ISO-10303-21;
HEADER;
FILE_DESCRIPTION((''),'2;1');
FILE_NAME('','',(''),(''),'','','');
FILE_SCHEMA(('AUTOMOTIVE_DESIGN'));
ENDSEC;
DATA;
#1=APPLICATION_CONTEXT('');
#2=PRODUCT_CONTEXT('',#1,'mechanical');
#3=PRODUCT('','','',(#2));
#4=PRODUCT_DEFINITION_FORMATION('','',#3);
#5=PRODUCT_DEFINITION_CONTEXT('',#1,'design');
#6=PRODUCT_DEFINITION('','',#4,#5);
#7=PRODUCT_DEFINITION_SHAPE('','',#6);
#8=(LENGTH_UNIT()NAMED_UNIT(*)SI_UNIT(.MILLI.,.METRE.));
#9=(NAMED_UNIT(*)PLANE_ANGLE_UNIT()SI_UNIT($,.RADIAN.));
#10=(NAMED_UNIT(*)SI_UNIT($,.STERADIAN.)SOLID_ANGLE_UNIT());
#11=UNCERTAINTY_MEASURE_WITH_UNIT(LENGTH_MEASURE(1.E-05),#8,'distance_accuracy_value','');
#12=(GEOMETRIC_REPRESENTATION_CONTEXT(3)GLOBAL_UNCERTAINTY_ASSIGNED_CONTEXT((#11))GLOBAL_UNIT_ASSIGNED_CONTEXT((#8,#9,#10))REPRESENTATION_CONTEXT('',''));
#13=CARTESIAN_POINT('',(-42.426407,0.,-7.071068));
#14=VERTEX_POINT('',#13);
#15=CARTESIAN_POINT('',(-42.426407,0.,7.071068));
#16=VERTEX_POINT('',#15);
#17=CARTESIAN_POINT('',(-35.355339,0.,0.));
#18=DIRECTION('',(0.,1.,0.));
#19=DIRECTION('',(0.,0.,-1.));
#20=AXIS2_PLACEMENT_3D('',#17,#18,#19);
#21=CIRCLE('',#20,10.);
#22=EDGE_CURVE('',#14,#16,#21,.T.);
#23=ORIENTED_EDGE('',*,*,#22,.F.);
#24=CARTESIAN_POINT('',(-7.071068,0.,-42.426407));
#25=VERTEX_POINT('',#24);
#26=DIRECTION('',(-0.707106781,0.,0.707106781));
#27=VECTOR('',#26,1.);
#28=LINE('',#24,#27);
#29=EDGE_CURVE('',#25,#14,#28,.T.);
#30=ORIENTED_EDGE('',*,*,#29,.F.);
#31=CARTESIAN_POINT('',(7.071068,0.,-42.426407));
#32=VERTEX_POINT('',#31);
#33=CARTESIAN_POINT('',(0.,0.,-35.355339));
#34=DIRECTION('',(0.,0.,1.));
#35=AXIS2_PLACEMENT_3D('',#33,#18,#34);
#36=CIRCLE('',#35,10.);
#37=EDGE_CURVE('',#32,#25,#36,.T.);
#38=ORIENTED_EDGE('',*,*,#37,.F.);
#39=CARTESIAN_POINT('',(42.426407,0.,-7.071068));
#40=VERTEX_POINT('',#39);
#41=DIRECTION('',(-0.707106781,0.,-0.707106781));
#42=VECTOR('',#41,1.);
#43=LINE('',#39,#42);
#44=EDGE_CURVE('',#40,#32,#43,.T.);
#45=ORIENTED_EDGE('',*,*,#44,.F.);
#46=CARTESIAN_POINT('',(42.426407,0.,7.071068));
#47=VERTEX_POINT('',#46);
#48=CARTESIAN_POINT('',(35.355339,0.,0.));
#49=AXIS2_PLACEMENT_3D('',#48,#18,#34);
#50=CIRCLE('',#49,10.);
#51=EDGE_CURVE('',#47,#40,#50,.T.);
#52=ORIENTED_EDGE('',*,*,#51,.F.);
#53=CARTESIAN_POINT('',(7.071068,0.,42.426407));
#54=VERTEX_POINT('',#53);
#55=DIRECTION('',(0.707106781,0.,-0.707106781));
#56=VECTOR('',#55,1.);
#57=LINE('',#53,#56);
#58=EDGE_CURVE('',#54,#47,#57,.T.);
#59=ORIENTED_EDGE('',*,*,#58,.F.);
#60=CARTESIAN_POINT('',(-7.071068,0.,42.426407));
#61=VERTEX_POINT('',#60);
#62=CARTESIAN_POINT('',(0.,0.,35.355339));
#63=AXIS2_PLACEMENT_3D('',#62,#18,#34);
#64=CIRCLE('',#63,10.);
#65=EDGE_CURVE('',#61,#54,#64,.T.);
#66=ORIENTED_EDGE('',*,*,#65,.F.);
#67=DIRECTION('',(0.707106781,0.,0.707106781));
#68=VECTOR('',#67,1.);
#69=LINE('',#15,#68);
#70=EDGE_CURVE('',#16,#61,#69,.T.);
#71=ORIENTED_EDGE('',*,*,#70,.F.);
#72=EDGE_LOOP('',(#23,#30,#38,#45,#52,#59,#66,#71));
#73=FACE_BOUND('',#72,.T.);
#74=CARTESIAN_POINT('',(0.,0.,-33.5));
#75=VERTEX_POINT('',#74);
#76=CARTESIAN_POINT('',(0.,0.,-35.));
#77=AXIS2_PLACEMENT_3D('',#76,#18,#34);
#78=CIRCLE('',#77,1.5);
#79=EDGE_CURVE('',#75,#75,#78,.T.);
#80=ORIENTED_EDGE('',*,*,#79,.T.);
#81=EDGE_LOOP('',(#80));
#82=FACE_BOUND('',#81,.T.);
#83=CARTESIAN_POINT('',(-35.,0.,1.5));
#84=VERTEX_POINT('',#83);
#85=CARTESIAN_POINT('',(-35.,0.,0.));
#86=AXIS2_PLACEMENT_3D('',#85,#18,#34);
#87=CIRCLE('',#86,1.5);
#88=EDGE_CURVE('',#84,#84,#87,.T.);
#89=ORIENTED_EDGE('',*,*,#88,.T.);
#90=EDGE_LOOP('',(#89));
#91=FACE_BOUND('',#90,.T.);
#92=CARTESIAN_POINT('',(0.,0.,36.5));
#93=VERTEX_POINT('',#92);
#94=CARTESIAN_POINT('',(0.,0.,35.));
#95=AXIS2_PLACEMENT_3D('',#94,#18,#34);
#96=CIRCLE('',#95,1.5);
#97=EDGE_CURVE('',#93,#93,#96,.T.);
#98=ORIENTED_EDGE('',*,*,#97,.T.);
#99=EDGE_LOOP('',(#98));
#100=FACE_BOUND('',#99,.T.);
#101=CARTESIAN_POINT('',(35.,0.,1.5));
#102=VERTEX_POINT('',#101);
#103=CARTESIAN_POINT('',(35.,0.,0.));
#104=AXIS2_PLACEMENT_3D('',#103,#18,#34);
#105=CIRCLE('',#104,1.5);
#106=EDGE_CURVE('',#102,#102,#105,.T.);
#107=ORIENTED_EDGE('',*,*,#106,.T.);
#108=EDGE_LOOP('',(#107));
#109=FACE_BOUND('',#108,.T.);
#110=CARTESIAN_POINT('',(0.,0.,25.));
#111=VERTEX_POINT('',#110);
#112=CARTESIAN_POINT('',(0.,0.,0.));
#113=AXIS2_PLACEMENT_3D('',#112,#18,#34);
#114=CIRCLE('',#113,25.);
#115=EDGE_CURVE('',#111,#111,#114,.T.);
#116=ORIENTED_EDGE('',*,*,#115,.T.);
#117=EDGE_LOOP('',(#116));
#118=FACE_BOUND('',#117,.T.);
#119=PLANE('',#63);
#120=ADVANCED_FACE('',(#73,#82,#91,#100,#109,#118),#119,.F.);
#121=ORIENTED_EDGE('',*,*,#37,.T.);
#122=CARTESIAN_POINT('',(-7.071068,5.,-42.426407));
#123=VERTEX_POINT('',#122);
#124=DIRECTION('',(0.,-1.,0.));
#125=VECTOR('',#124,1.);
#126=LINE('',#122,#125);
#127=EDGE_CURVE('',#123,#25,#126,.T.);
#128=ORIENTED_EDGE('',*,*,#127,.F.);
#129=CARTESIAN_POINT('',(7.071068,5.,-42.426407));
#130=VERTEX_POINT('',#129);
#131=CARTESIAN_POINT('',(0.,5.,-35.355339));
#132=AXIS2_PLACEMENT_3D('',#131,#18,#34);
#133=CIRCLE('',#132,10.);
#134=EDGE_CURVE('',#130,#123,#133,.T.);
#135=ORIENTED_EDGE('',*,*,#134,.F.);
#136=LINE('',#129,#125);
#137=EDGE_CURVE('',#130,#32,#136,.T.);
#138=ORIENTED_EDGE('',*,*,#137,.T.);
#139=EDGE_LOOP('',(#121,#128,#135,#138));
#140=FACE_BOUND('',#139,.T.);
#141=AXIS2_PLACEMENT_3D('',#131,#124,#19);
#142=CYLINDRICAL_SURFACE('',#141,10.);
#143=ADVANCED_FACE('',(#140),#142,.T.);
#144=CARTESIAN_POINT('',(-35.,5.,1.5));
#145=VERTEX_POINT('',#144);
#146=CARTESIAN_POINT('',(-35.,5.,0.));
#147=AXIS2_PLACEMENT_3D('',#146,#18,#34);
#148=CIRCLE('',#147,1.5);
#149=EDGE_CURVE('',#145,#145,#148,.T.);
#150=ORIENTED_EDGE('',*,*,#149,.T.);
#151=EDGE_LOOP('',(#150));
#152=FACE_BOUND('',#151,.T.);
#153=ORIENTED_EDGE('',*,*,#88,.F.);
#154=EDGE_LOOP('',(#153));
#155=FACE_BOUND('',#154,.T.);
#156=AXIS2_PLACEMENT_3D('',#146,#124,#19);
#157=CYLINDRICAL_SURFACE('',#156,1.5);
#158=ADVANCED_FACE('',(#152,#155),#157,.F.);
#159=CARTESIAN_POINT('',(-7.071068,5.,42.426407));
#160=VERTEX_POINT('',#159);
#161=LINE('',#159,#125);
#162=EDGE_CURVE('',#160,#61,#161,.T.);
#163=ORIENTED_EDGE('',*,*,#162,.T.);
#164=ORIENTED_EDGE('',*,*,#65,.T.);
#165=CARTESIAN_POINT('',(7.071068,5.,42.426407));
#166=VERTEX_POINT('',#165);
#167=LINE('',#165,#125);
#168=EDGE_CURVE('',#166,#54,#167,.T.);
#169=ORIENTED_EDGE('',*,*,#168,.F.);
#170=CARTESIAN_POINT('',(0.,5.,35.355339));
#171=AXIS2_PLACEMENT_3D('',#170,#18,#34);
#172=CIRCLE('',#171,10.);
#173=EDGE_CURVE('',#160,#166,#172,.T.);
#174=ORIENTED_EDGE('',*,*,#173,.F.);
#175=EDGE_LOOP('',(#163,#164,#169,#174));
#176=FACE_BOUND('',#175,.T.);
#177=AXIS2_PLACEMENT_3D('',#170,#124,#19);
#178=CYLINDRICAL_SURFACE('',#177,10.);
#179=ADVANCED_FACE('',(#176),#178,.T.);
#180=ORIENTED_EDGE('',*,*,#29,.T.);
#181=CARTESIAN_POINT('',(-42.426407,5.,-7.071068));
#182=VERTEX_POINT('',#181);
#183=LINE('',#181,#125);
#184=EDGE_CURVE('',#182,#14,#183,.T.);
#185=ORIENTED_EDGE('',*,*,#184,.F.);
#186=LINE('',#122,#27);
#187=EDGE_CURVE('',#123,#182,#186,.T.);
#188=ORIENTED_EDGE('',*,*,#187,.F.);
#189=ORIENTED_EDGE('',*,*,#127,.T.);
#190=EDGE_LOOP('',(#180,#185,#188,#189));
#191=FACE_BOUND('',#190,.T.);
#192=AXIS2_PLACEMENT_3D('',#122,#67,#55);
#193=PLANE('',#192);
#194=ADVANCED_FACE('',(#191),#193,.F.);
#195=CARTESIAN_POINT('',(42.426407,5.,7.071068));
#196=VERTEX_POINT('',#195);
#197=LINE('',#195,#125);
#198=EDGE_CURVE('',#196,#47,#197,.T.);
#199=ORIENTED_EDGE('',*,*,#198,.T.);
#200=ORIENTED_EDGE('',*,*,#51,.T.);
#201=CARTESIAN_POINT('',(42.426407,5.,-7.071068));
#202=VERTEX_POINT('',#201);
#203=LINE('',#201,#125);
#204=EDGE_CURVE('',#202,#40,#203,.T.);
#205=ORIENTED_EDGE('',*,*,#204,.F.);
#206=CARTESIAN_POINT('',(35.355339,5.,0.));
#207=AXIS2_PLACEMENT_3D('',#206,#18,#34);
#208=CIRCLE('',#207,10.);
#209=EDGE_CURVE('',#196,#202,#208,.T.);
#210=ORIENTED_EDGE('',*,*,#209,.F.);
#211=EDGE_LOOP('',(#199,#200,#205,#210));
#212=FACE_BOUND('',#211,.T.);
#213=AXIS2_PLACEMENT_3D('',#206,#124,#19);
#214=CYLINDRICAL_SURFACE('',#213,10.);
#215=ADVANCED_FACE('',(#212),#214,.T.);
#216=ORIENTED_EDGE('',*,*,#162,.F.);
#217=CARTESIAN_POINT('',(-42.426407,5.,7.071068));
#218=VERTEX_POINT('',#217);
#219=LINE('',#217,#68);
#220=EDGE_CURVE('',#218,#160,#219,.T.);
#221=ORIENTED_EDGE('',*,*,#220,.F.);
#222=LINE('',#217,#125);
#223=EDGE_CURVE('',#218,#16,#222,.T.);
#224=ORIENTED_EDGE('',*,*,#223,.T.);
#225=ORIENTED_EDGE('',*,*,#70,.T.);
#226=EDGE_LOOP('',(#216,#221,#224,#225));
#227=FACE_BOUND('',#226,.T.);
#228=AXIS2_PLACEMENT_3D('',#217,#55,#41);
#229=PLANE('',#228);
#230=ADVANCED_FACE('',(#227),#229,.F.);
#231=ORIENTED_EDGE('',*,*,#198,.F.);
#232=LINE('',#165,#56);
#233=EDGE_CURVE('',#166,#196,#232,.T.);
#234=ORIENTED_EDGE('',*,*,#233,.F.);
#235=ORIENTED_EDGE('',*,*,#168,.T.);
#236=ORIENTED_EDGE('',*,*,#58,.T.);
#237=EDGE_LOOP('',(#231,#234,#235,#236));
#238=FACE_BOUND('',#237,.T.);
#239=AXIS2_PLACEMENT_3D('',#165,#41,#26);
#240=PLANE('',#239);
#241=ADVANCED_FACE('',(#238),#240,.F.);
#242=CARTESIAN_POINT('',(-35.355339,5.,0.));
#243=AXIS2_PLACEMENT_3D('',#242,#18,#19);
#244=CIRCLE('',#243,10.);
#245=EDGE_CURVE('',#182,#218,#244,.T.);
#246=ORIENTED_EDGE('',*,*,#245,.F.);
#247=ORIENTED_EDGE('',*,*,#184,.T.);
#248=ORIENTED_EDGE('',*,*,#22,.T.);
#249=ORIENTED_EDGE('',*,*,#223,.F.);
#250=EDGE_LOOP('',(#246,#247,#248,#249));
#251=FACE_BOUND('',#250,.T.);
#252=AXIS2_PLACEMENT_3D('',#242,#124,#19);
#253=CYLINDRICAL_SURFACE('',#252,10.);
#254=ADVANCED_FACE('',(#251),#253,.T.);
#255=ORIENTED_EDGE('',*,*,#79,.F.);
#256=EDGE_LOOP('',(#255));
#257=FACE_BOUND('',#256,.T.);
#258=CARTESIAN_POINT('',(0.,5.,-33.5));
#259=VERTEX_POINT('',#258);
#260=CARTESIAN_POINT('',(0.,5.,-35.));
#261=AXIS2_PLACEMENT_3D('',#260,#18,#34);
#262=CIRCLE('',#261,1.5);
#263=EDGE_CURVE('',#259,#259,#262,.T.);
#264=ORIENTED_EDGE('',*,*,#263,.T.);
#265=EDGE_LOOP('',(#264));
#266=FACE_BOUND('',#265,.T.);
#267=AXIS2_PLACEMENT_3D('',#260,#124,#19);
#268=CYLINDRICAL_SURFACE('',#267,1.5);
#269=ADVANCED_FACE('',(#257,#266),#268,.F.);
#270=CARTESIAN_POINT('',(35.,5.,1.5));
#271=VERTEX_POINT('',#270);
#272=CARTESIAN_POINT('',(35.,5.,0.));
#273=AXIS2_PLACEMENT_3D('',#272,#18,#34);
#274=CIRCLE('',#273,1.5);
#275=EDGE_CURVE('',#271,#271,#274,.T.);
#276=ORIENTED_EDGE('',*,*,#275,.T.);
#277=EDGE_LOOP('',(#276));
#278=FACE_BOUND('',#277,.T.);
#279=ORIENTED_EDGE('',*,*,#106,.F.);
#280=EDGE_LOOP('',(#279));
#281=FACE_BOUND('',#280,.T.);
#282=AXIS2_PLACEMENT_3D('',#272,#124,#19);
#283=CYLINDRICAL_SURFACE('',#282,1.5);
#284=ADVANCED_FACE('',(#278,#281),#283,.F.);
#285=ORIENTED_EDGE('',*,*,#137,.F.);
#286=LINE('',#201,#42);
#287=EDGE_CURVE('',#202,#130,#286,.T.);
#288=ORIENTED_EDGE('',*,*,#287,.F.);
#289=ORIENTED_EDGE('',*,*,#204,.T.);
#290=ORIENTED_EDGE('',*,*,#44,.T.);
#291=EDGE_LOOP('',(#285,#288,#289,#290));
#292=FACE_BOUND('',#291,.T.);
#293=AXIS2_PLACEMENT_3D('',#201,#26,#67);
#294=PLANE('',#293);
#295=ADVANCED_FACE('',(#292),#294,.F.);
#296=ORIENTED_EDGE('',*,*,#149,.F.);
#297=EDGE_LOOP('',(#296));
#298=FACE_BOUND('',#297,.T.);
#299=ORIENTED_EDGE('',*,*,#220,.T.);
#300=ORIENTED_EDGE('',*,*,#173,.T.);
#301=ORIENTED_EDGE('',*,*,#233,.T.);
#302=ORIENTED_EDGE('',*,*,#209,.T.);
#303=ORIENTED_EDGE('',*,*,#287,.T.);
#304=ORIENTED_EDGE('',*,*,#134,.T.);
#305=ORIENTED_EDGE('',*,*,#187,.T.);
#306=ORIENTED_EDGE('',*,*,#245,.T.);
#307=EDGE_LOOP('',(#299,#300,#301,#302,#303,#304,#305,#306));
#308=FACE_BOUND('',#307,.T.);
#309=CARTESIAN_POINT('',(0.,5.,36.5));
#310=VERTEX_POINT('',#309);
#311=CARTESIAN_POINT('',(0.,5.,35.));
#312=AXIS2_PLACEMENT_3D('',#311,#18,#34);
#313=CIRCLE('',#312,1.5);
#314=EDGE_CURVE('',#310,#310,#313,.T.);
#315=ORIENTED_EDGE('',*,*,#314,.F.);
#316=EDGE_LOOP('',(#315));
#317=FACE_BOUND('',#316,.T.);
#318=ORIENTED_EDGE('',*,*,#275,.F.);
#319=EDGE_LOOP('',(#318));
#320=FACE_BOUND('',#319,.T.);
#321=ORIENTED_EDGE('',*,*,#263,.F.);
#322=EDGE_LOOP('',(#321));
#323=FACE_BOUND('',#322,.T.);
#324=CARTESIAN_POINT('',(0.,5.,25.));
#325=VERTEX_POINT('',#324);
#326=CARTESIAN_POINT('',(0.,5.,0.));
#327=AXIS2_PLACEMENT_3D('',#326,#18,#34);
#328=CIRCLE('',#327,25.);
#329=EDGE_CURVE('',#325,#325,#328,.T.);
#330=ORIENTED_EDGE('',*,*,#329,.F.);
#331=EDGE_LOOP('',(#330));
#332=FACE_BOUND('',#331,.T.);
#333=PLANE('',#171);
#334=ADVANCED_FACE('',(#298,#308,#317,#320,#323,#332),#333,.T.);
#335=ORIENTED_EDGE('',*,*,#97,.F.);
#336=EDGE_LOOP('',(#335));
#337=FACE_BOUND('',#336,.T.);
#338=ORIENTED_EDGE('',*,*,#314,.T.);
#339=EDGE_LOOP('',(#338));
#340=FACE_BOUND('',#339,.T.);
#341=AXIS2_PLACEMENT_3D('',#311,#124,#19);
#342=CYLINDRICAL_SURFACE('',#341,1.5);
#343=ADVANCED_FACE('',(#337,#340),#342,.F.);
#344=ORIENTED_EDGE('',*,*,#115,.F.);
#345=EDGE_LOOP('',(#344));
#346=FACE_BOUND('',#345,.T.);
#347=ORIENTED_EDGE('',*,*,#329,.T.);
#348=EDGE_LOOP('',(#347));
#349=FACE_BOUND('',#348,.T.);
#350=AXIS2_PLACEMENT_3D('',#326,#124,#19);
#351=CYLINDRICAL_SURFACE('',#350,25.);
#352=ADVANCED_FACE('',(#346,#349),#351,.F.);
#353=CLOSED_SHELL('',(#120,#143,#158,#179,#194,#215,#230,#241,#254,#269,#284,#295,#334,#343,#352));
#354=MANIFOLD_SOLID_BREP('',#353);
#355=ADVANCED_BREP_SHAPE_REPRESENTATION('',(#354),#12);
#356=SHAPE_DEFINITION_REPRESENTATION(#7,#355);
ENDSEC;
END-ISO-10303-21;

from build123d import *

# Parameters (mm, degrees)
CROQUIS1_R              = 25
CROQUIS1_R_2            = 1.5
SALIENTE_EXTRUIR1_DEPTH = 5


with BuildPart() as part:
    # Croquis1 → Saliente-Extruir1 (new body)
    with BuildSketch(Plane(origin=(0, 0, 0), x_dir=(1, 0, 0), z_dir=(0, 1, 0))):
        with BuildLine():
            Line((-42.426406871, -7.071067812), (-7.071067812, -42.426406871))
            ThreePointArc((-7.071067812, -42.426406871), (0, -45.355339059), (7.071067812, -42.426406871))
            Line((7.071067812, -42.426406871), (42.426406871, -7.071067812))
            ThreePointArc((42.426406871, -7.071067812), (45.355339059, 0), (42.426406871, 7.071067812))
            Line((42.426406871, 7.071067812), (7.071067812, 42.426406871))
            ThreePointArc((7.071067812, 42.426406871), (0, 45.355339059), (-7.071067812, 42.426406871))
            Line((-7.071067812, 42.426406871), (-42.426406871, 7.071067812))
            ThreePointArc((-42.426406871, 7.071067812), (-45.355339059, 0), (-42.426406871, -7.071067812))
        make_face()
        Circle(CROQUIS1_R, mode=Mode.SUBTRACT)
        with Locations((35, 0)):
            Circle(CROQUIS1_R_2, mode=Mode.SUBTRACT)
        with Locations((0, -35)):
            Circle(CROQUIS1_R_2, mode=Mode.SUBTRACT)
        with Locations((-35, 0)):
            Circle(CROQUIS1_R_2, mode=Mode.SUBTRACT)
        with Locations((0, 35)):
            Circle(CROQUIS1_R_2, mode=Mode.SUBTRACT)
    extrude(amount=SALIENTE_EXTRUIR1_DEPTH)


solid = part.part
